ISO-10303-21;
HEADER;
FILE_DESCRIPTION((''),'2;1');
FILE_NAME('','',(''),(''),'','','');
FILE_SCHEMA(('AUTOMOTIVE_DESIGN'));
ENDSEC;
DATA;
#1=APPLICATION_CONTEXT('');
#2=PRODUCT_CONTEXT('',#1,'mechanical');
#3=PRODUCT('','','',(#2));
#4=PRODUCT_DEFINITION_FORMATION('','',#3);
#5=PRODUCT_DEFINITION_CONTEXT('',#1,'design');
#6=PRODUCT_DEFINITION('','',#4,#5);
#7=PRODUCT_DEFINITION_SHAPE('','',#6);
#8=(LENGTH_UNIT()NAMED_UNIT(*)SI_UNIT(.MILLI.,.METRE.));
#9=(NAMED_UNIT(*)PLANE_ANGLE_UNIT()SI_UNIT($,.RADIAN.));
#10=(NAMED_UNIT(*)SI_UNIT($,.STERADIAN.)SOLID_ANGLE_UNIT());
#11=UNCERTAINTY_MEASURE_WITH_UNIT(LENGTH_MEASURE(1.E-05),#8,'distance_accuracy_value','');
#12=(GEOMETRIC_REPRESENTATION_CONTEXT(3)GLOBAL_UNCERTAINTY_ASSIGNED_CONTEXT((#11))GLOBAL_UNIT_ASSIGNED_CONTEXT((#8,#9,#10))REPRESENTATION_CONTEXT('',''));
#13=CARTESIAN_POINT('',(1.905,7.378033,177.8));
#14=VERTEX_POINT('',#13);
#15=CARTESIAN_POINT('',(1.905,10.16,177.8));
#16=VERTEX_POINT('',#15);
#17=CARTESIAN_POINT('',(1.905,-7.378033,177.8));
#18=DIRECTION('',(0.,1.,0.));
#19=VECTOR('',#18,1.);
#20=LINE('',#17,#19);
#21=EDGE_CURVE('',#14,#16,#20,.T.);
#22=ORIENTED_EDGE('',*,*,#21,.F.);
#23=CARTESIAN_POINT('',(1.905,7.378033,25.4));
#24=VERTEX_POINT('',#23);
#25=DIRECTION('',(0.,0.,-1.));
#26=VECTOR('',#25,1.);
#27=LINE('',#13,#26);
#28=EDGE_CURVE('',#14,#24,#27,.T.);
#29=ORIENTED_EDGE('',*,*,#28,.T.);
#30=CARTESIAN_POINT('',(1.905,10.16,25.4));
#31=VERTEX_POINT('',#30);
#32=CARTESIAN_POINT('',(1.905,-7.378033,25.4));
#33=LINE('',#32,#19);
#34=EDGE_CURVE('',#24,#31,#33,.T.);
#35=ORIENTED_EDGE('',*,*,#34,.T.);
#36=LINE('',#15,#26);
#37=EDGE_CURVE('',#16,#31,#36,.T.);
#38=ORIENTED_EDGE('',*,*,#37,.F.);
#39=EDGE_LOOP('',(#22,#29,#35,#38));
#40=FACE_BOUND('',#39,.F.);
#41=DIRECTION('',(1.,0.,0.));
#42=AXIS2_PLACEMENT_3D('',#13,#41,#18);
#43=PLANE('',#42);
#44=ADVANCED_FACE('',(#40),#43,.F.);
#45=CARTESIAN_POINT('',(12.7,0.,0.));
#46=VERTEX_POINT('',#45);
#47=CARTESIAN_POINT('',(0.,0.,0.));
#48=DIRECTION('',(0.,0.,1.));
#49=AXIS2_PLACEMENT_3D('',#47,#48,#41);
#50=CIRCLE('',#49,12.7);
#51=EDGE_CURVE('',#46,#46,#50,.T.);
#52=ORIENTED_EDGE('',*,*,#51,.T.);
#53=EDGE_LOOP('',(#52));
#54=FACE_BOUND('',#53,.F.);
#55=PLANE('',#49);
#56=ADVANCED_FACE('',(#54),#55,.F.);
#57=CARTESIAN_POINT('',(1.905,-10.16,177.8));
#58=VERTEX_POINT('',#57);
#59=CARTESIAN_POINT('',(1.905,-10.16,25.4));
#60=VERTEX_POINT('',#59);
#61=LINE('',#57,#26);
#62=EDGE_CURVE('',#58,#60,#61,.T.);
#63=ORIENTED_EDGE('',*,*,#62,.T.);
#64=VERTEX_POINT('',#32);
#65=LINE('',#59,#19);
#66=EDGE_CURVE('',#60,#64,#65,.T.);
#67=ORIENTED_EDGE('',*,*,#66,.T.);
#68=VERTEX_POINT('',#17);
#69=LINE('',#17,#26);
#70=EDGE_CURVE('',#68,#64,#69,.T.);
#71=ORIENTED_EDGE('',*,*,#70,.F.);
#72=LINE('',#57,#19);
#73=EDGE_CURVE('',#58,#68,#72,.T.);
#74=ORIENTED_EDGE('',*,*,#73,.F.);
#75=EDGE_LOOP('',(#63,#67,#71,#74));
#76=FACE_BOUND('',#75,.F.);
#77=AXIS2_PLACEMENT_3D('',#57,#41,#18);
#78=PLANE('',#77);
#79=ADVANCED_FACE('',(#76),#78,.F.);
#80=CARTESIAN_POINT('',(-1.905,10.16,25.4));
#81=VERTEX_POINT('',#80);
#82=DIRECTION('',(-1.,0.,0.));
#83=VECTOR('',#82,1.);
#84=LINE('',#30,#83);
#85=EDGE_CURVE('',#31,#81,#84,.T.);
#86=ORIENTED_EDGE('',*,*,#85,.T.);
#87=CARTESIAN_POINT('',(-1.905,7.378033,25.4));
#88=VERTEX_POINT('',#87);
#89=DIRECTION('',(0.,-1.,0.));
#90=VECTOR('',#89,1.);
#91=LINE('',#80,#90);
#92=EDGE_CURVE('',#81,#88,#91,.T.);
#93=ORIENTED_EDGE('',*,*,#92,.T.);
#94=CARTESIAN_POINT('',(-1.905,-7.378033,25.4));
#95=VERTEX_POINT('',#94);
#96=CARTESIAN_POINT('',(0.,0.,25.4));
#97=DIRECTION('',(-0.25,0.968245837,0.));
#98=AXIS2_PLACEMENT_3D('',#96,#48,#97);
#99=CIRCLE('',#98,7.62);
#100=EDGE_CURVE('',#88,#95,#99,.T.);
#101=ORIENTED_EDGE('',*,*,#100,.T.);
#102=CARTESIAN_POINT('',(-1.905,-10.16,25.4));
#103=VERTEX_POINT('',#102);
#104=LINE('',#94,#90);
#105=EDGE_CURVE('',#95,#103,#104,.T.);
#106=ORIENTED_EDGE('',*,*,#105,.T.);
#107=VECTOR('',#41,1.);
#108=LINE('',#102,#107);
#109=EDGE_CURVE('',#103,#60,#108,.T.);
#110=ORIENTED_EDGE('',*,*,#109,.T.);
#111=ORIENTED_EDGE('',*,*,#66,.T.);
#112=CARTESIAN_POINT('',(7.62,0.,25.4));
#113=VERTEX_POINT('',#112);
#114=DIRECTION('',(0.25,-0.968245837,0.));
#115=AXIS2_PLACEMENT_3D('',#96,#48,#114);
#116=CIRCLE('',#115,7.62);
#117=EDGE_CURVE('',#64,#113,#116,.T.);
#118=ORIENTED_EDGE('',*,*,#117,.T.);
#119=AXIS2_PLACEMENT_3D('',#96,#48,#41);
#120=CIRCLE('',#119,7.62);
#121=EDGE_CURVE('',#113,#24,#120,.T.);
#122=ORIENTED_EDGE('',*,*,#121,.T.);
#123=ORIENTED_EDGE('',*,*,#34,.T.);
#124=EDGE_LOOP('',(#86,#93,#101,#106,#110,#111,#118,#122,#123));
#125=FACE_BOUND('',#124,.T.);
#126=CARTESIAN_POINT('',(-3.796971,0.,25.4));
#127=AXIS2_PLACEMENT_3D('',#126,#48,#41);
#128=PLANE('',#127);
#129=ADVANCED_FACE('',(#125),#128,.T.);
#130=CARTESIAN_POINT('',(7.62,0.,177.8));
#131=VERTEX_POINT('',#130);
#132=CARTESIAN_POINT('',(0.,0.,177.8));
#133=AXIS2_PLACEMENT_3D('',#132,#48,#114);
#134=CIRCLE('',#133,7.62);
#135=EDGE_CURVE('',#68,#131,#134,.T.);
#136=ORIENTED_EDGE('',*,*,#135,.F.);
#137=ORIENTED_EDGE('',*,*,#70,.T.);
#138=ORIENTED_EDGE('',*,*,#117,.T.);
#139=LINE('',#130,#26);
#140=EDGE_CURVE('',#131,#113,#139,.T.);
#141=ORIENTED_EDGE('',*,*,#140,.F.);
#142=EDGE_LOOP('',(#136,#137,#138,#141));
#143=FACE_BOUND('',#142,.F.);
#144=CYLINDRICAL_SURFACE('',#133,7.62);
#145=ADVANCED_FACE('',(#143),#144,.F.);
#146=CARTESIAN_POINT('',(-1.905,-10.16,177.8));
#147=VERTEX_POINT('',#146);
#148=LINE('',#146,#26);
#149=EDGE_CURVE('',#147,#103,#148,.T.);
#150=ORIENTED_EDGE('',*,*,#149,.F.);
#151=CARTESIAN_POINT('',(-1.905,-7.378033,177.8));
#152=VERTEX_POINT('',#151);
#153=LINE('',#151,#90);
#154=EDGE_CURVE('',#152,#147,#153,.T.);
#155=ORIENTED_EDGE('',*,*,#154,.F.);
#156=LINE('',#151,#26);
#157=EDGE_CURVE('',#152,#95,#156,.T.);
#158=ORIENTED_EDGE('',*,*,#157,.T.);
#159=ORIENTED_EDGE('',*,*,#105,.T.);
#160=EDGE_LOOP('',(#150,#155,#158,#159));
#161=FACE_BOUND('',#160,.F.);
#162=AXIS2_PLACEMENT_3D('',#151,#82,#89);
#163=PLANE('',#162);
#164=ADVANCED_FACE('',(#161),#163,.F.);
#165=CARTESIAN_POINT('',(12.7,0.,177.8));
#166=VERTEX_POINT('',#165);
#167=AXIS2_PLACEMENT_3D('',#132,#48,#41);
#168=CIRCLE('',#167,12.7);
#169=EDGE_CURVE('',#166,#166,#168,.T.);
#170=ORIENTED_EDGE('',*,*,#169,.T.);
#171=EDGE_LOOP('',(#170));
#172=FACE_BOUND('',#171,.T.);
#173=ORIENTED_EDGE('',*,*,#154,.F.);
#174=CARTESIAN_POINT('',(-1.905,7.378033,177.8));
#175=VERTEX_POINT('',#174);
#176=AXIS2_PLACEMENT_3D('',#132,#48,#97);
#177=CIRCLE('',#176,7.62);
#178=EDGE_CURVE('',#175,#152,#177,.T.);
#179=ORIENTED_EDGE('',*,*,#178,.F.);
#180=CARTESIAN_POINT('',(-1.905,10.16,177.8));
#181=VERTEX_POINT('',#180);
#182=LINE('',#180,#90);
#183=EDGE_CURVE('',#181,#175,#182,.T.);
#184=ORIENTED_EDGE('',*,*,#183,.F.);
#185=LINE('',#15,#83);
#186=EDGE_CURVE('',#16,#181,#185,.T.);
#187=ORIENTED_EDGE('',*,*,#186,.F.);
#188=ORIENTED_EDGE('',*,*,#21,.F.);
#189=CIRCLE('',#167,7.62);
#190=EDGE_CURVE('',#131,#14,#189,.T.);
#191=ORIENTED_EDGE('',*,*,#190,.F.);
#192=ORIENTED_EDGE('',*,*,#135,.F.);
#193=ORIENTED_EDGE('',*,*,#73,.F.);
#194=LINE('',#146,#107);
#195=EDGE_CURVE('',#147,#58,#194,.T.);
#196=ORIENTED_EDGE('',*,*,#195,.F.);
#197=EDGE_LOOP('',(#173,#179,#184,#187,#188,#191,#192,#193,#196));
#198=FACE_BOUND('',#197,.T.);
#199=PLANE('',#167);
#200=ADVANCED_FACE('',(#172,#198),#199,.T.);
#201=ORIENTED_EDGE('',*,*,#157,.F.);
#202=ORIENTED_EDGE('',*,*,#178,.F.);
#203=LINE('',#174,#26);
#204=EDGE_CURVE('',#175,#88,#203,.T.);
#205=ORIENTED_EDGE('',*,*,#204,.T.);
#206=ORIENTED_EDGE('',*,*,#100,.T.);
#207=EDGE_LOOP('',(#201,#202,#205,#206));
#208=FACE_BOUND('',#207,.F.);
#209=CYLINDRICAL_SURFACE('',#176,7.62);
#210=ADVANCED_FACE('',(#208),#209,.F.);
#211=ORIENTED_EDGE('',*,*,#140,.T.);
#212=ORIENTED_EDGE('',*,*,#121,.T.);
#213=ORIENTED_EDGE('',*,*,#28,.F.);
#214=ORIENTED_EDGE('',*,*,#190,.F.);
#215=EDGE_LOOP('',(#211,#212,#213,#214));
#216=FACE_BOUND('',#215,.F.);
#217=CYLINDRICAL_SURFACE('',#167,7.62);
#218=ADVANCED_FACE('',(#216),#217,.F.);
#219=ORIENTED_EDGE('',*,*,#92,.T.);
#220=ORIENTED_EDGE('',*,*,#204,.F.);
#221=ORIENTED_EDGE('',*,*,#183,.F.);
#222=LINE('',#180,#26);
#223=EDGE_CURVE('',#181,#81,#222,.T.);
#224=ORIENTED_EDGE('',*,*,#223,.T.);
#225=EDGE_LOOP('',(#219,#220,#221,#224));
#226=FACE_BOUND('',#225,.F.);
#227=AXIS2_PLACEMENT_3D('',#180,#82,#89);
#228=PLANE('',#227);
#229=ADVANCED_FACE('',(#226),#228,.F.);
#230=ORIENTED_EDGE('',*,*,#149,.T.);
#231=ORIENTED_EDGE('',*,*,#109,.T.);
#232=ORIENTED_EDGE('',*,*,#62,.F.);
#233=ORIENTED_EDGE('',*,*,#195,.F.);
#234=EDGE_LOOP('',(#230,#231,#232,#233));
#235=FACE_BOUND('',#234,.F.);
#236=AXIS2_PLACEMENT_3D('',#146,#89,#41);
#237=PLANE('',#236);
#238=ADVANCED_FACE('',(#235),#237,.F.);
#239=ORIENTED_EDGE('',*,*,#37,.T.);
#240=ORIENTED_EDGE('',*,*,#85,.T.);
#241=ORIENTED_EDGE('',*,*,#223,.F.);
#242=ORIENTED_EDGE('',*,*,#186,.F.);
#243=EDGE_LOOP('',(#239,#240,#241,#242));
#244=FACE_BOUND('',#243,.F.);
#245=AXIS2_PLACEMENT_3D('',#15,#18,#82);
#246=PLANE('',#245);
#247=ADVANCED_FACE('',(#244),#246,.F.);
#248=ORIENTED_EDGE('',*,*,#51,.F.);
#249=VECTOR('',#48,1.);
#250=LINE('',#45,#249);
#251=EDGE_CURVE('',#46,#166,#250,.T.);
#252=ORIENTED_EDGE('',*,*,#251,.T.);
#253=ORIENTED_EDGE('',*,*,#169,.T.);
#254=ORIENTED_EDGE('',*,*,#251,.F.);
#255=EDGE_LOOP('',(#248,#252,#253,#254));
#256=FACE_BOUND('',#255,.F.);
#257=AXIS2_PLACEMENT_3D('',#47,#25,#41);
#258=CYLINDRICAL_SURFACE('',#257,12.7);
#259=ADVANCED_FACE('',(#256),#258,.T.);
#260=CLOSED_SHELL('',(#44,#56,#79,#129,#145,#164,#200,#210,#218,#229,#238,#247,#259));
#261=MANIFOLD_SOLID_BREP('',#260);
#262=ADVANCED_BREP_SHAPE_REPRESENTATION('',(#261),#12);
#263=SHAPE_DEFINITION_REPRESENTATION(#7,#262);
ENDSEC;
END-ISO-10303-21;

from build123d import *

# Parameters (mm, degrees)
F0_R     = 12.7
F1_DEPTH = 177.8
F3_DEPTH = 152.4


with BuildPart() as f1:
    # F0 (on Top) → F1 (new body)
    with BuildSketch(Plane.XY):
        Circle(F0_R)
    extrude(amount=F1_DEPTH)

    # F2 (on face) → F3 (cut)
    with BuildSketch(Plane.XY.offset(177.8)):
        with BuildLine():
            Line((-1.905, -7.3780332745), (-1.905, 7.3780332745))
            ThreePointArc((-1.905, 7.3780332745), (-7.62, 0), (-1.905, -7.3780332745))
        make_face()
        with BuildLine():
            ThreePointArc((-1.905, 7.3780332745), (0, 7.62), (1.905, 7.3780332745))
            Line((1.905, 7.3780332745), (1.905, 10.16))
            Line((1.905, 10.16), (-1.905, 10.16))
            Line((-1.905, 10.16), (-1.905, 7.3780332745))
        make_face()
        with BuildLine():
            Line((1.905, -7.3780332745), (1.905, 7.3780332745))
            ThreePointArc((1.905, 7.3780332745), (0, 7.62), (-1.905, 7.3780332745))
            Line((-1.905, 7.3780332745), (-1.905, -7.3780332745))
            ThreePointArc((-1.905, -7.3780332745), (0, -7.62), (1.905, -7.3780332745))
        make_face()
        with BuildLine():
            ThreePointArc((1.905, -7.3780332745), (6.0241389426, -4.66627796), (7.62, 0))
            ThreePointArc((7.62, 0), (6.0241389426, 4.66627796), (1.905, 7.3780332745))
            Line((1.905, 7.3780332745), (1.905, -7.3780332745))
        make_face()
        with BuildLine():
            Line((1.905, -10.16), (1.905, -7.3780332745))
            ThreePointArc((1.905, -7.3780332745), (0, -7.62), (-1.905, -7.3780332745))
            Line((-1.905, -7.3780332745), (-1.905, -10.16))
            Line((-1.905, -10.16), (1.905, -10.16))
        make_face()
    extrude(amount=-F3_DEPTH, mode=Mode.SUBTRACT)


solid = f1.part
